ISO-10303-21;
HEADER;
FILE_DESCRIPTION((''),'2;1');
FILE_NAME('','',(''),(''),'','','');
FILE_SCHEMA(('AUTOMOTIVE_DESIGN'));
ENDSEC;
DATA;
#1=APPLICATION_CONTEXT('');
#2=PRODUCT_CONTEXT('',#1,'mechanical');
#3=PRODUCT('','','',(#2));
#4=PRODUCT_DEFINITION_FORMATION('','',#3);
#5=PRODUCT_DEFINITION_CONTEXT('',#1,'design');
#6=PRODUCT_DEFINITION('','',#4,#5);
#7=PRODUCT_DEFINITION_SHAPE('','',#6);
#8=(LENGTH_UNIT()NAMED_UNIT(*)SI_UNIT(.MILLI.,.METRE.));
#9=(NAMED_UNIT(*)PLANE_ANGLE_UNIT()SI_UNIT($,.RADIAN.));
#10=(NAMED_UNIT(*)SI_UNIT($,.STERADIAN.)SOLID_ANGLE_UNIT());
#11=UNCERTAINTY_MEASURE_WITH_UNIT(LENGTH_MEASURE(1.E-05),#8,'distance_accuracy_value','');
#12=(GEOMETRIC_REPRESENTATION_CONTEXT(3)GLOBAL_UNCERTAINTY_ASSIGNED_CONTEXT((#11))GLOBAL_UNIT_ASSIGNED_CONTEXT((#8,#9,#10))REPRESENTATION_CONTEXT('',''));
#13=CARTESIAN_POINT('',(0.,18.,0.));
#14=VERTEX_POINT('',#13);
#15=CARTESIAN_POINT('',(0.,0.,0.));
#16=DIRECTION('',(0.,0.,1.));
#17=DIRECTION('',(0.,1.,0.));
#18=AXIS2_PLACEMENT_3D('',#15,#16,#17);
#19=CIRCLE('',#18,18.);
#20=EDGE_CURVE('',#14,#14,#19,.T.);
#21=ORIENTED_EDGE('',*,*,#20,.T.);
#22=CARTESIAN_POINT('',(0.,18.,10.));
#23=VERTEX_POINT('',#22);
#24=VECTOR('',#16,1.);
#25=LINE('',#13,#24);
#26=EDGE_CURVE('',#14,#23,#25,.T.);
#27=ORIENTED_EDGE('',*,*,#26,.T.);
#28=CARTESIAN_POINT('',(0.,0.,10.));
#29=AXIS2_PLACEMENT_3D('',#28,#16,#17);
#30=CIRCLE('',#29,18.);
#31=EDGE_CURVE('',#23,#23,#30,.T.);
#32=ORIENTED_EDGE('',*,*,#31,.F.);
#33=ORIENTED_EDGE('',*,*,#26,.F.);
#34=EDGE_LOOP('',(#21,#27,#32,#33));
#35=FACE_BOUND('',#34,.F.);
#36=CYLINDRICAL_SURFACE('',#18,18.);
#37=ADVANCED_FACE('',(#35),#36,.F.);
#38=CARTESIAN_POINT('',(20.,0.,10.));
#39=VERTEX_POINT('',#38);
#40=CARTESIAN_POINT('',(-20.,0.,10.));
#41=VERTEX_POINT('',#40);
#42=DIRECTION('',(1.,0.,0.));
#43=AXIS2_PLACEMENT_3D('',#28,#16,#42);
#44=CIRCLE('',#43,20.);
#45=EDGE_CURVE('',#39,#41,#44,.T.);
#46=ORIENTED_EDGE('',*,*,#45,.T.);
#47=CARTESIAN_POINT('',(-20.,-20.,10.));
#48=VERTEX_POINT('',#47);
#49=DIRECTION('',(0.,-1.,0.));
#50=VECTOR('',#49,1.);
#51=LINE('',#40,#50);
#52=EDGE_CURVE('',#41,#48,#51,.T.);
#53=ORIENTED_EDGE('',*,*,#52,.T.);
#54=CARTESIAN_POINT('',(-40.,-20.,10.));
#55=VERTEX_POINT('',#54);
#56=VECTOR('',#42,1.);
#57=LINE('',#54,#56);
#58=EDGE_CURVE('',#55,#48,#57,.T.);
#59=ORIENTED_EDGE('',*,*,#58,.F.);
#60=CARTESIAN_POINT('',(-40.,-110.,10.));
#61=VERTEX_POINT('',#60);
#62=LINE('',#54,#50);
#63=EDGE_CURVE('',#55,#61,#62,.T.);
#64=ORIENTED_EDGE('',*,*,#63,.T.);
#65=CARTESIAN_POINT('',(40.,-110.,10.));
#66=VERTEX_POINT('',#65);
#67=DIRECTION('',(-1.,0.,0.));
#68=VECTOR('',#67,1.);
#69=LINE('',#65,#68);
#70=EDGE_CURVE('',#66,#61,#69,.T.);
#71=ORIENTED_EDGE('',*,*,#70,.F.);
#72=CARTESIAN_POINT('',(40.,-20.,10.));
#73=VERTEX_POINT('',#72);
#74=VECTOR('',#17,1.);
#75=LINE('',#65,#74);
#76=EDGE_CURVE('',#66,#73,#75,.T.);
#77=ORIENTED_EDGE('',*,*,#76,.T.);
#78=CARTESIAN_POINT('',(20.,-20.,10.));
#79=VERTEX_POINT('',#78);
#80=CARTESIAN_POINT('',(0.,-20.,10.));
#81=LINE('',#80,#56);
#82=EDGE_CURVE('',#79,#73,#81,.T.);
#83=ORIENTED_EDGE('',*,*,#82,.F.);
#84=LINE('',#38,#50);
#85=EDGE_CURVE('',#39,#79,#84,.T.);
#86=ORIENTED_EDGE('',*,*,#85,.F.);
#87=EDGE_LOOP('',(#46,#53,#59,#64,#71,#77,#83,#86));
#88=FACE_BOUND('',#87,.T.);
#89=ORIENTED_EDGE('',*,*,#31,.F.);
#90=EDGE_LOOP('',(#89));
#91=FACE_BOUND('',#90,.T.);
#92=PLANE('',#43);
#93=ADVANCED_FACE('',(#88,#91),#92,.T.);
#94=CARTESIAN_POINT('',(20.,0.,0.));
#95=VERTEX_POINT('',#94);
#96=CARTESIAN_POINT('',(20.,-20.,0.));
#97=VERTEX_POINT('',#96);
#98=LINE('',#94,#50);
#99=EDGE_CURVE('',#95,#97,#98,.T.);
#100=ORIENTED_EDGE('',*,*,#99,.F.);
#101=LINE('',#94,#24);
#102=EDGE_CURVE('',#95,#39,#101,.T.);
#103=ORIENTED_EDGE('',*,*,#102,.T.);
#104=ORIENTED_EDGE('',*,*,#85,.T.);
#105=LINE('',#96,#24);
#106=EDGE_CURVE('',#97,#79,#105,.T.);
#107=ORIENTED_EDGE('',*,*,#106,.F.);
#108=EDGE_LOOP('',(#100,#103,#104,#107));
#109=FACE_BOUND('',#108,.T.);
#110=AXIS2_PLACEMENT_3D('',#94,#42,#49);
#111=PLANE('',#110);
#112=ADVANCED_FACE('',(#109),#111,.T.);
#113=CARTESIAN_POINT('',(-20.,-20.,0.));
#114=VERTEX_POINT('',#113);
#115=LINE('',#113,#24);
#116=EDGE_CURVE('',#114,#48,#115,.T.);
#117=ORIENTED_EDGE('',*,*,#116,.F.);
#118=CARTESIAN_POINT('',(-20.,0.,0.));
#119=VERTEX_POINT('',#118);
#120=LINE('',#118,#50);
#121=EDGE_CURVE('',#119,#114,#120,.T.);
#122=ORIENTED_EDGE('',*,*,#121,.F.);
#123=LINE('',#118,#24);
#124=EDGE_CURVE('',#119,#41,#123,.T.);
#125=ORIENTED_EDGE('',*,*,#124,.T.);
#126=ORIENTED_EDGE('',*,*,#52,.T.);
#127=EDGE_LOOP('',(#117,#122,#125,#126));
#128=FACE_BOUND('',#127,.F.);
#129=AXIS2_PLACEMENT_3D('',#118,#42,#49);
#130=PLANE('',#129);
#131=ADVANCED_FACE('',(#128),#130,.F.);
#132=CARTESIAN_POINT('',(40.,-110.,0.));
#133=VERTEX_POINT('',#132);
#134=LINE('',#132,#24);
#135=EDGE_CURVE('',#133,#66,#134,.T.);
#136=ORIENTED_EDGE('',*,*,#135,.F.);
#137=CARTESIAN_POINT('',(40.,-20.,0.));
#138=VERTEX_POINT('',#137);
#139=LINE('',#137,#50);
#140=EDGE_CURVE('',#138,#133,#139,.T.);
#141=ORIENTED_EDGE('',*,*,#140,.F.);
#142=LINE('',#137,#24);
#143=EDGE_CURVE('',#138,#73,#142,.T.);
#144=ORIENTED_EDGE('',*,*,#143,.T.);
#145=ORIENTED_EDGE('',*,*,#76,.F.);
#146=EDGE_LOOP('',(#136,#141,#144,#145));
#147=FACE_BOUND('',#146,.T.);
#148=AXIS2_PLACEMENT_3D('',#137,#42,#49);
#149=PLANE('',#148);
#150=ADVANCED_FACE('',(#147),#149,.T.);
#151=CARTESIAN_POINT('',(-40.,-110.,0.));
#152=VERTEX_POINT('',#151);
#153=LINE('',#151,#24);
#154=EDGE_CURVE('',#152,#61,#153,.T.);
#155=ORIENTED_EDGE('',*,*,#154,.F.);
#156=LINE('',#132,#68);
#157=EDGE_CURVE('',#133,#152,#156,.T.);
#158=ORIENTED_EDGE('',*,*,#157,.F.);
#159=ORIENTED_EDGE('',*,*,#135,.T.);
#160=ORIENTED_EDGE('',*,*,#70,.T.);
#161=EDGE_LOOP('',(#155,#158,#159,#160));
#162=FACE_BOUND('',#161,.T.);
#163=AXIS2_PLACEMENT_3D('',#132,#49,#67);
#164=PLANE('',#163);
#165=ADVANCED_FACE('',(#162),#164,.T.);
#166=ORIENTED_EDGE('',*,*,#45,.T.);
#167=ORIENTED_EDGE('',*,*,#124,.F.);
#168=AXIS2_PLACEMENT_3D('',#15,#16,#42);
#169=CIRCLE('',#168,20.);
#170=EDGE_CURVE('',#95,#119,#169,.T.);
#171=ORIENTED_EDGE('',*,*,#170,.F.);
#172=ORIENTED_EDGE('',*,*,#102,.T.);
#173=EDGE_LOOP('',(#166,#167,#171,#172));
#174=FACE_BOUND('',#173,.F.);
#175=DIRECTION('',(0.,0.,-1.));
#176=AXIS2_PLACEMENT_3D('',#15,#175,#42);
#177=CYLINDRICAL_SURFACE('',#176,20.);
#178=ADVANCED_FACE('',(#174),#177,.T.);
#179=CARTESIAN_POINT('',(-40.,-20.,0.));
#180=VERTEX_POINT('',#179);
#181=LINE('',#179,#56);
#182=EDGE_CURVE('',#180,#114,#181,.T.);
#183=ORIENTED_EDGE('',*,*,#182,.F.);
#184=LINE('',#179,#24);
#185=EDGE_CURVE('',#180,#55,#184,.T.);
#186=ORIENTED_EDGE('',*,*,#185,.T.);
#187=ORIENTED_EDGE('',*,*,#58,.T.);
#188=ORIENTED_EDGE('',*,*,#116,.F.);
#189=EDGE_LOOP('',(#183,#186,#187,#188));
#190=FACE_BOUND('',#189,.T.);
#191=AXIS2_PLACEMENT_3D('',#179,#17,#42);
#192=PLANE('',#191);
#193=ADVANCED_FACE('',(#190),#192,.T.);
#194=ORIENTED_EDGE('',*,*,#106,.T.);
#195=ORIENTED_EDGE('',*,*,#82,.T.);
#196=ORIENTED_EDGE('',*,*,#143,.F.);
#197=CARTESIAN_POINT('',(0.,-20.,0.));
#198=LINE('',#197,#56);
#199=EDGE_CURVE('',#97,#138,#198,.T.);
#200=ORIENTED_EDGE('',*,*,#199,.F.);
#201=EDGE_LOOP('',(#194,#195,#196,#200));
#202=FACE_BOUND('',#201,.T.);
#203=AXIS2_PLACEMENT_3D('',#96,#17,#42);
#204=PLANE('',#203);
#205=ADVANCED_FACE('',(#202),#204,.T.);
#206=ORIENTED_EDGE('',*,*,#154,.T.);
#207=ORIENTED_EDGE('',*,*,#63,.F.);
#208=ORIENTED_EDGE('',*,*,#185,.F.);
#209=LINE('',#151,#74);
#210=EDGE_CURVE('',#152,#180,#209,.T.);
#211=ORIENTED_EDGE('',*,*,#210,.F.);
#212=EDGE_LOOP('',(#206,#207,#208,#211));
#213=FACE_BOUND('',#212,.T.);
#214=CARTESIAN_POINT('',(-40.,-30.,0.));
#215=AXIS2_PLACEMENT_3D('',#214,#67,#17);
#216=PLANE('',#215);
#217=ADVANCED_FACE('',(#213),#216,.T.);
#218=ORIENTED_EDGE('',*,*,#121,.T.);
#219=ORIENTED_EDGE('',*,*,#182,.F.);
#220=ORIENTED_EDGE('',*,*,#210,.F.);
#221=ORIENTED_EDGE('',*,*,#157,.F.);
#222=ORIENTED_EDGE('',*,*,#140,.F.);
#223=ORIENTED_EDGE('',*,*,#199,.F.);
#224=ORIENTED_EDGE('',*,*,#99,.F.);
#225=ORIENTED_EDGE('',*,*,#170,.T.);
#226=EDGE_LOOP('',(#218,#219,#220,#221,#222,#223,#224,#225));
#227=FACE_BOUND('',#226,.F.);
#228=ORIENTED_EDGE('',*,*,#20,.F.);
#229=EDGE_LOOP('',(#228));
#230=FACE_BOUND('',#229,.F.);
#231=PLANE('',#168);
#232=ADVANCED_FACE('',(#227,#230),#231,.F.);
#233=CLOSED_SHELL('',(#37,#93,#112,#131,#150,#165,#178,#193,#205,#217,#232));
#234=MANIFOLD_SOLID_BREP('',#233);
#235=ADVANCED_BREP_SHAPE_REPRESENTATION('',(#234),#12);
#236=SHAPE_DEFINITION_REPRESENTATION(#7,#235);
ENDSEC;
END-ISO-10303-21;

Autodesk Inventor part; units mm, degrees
ref_plane "YZ Plane" through (0, 0, 0) normal (1, 0, 0) x (0, 1, 0)
ref_plane "XZ Plane" through (0, 0, 0) normal (0, 1, 0) x (-1, 0, 0)
ref_plane "XY Plane" through (0, 0, 0) normal (0, 0, 1) x (1, 0, 0)
sketch "Boceto1" plane through (0, 0, 0) normal (0, 0, 1) x (1, 0, 0)
  circle A0 centre (0, 0) radius 18
  circle A1 centre (0, 0) radius 20
  line L0 (0, -20) -> (40, -20)
  line L1 (40, -20) -> (40, -30)
  line L2 (40, -30) -> (0, -30)
  line L3 (0, -30) -> (-40, -30)
  line L4 (-40, -30) -> (-40, -20)
  line L5 (-40, -20) -> (0, -20)
  line L6 (-40, -30) -> (40, -30)
  line L7 (40, -30) -> (40, -110)
  line L8 (40, -110) -> (-40, -110)
  line L9 (-40, -110) -> (-40, -30)
  line L10 (0, 18) -> (0, -21.2387) construction
  circle A2 centre (0, 0) radius 20
  line L11 (20, 0) -> (20, -20)
  line L12 (-20, 0) -> (-20, -20)
  dimension "d0" = 36
  dimension "d1" = 40
  dimension "d2" = 40
  dimension "d3" = 10
  dimension "d4" = 40
  dimension "d5" = 80
extrude "Extrusión1" add sketch "Boceto1" along normal blind 10 contours A0 | A1 | L11 L0 A1 | A1 L5 L12 | L0 L1 L2 L3 L4 L5 | L7 L8 L9 L3 L2
sketch "Boceto2" plane through (0, 0, 0) normal (0, 0, -1) x (-1, 0, 0)
  circle A0 centre (0, 0) radius 18
  dimension "d9" = 36
hole "Agujero1" at (0, 0, 0) direction (0, 0, 1) diameter 36 depth 10 tip angle 118
properties part number "Soporte ensamble"
